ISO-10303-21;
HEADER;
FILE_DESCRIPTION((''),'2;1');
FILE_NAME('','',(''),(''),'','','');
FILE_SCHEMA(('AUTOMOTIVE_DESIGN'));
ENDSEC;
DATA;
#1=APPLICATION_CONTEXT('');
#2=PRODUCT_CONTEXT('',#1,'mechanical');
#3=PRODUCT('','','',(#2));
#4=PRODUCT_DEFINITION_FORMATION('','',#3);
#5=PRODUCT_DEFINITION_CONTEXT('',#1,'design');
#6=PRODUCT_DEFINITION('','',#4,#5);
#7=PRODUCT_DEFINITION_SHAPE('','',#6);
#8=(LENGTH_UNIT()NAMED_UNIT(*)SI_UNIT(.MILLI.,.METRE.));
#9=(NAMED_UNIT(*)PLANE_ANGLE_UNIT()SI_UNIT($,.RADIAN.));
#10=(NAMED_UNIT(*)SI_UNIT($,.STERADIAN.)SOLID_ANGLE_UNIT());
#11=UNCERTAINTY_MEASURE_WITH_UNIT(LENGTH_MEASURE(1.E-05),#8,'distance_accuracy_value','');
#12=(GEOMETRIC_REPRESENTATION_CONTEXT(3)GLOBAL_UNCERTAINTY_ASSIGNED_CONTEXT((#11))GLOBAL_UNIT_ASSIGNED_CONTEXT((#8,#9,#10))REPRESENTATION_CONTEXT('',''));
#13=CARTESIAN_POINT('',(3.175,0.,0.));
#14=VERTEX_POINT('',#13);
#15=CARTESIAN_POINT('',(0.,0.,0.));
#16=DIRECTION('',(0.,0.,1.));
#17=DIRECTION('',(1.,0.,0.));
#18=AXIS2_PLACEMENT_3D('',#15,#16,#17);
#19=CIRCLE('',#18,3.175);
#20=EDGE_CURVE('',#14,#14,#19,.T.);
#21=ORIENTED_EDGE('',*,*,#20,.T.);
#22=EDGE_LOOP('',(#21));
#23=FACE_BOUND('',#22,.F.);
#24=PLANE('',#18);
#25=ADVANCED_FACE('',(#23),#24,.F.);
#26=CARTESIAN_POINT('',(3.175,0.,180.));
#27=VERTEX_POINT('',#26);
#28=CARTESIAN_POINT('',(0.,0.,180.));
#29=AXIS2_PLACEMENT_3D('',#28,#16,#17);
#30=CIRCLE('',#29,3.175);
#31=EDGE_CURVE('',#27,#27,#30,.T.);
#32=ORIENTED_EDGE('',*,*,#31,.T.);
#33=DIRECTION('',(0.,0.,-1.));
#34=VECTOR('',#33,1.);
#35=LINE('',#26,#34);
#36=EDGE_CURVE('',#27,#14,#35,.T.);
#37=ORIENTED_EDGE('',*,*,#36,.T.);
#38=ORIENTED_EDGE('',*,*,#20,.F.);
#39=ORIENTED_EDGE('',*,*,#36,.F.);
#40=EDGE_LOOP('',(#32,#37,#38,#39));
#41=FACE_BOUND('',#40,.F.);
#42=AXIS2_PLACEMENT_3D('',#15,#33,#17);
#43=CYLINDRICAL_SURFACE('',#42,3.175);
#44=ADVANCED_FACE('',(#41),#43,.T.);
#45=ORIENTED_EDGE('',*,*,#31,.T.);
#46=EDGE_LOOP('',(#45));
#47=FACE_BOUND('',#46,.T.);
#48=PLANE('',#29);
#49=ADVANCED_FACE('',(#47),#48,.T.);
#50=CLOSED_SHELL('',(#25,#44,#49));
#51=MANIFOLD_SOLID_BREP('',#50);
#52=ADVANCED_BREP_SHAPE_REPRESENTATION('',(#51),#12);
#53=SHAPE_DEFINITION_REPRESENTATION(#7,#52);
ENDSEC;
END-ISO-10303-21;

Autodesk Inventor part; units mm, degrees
ref_plane "YZ Plane" through (0, 0, 0) normal (1, 0, 0) x (0, 1, 0)
ref_plane "XZ Plane" through (0, 0, 0) normal (0, 1, 0) x (-1, 0, 0)
ref_plane "XY Plane" through (0, 0, 0) normal (0, 0, 1) x (1, 0, 0)
sketch "Sketch1" plane through (0, 0, 0) normal (0, 0, 1) x (1, 0, 0)
  circle A0 centre (0, 0) radius 3.175
  dimension "d0" = 6.35
extrude "Extrusion1" add sketch "Sketch1" along normal blind 140
sketch "Sketch2" plane through (0, 0, 140) normal (0, 0, 1) x (1, 0, 0)
  circle A0 centre (0, 0) radius 3.175
  dimension "d3" = 6.35
extrude "Extrusion2" add sketch "Sketch2" along normal blind 40
properties part number "hopper hole rod"
